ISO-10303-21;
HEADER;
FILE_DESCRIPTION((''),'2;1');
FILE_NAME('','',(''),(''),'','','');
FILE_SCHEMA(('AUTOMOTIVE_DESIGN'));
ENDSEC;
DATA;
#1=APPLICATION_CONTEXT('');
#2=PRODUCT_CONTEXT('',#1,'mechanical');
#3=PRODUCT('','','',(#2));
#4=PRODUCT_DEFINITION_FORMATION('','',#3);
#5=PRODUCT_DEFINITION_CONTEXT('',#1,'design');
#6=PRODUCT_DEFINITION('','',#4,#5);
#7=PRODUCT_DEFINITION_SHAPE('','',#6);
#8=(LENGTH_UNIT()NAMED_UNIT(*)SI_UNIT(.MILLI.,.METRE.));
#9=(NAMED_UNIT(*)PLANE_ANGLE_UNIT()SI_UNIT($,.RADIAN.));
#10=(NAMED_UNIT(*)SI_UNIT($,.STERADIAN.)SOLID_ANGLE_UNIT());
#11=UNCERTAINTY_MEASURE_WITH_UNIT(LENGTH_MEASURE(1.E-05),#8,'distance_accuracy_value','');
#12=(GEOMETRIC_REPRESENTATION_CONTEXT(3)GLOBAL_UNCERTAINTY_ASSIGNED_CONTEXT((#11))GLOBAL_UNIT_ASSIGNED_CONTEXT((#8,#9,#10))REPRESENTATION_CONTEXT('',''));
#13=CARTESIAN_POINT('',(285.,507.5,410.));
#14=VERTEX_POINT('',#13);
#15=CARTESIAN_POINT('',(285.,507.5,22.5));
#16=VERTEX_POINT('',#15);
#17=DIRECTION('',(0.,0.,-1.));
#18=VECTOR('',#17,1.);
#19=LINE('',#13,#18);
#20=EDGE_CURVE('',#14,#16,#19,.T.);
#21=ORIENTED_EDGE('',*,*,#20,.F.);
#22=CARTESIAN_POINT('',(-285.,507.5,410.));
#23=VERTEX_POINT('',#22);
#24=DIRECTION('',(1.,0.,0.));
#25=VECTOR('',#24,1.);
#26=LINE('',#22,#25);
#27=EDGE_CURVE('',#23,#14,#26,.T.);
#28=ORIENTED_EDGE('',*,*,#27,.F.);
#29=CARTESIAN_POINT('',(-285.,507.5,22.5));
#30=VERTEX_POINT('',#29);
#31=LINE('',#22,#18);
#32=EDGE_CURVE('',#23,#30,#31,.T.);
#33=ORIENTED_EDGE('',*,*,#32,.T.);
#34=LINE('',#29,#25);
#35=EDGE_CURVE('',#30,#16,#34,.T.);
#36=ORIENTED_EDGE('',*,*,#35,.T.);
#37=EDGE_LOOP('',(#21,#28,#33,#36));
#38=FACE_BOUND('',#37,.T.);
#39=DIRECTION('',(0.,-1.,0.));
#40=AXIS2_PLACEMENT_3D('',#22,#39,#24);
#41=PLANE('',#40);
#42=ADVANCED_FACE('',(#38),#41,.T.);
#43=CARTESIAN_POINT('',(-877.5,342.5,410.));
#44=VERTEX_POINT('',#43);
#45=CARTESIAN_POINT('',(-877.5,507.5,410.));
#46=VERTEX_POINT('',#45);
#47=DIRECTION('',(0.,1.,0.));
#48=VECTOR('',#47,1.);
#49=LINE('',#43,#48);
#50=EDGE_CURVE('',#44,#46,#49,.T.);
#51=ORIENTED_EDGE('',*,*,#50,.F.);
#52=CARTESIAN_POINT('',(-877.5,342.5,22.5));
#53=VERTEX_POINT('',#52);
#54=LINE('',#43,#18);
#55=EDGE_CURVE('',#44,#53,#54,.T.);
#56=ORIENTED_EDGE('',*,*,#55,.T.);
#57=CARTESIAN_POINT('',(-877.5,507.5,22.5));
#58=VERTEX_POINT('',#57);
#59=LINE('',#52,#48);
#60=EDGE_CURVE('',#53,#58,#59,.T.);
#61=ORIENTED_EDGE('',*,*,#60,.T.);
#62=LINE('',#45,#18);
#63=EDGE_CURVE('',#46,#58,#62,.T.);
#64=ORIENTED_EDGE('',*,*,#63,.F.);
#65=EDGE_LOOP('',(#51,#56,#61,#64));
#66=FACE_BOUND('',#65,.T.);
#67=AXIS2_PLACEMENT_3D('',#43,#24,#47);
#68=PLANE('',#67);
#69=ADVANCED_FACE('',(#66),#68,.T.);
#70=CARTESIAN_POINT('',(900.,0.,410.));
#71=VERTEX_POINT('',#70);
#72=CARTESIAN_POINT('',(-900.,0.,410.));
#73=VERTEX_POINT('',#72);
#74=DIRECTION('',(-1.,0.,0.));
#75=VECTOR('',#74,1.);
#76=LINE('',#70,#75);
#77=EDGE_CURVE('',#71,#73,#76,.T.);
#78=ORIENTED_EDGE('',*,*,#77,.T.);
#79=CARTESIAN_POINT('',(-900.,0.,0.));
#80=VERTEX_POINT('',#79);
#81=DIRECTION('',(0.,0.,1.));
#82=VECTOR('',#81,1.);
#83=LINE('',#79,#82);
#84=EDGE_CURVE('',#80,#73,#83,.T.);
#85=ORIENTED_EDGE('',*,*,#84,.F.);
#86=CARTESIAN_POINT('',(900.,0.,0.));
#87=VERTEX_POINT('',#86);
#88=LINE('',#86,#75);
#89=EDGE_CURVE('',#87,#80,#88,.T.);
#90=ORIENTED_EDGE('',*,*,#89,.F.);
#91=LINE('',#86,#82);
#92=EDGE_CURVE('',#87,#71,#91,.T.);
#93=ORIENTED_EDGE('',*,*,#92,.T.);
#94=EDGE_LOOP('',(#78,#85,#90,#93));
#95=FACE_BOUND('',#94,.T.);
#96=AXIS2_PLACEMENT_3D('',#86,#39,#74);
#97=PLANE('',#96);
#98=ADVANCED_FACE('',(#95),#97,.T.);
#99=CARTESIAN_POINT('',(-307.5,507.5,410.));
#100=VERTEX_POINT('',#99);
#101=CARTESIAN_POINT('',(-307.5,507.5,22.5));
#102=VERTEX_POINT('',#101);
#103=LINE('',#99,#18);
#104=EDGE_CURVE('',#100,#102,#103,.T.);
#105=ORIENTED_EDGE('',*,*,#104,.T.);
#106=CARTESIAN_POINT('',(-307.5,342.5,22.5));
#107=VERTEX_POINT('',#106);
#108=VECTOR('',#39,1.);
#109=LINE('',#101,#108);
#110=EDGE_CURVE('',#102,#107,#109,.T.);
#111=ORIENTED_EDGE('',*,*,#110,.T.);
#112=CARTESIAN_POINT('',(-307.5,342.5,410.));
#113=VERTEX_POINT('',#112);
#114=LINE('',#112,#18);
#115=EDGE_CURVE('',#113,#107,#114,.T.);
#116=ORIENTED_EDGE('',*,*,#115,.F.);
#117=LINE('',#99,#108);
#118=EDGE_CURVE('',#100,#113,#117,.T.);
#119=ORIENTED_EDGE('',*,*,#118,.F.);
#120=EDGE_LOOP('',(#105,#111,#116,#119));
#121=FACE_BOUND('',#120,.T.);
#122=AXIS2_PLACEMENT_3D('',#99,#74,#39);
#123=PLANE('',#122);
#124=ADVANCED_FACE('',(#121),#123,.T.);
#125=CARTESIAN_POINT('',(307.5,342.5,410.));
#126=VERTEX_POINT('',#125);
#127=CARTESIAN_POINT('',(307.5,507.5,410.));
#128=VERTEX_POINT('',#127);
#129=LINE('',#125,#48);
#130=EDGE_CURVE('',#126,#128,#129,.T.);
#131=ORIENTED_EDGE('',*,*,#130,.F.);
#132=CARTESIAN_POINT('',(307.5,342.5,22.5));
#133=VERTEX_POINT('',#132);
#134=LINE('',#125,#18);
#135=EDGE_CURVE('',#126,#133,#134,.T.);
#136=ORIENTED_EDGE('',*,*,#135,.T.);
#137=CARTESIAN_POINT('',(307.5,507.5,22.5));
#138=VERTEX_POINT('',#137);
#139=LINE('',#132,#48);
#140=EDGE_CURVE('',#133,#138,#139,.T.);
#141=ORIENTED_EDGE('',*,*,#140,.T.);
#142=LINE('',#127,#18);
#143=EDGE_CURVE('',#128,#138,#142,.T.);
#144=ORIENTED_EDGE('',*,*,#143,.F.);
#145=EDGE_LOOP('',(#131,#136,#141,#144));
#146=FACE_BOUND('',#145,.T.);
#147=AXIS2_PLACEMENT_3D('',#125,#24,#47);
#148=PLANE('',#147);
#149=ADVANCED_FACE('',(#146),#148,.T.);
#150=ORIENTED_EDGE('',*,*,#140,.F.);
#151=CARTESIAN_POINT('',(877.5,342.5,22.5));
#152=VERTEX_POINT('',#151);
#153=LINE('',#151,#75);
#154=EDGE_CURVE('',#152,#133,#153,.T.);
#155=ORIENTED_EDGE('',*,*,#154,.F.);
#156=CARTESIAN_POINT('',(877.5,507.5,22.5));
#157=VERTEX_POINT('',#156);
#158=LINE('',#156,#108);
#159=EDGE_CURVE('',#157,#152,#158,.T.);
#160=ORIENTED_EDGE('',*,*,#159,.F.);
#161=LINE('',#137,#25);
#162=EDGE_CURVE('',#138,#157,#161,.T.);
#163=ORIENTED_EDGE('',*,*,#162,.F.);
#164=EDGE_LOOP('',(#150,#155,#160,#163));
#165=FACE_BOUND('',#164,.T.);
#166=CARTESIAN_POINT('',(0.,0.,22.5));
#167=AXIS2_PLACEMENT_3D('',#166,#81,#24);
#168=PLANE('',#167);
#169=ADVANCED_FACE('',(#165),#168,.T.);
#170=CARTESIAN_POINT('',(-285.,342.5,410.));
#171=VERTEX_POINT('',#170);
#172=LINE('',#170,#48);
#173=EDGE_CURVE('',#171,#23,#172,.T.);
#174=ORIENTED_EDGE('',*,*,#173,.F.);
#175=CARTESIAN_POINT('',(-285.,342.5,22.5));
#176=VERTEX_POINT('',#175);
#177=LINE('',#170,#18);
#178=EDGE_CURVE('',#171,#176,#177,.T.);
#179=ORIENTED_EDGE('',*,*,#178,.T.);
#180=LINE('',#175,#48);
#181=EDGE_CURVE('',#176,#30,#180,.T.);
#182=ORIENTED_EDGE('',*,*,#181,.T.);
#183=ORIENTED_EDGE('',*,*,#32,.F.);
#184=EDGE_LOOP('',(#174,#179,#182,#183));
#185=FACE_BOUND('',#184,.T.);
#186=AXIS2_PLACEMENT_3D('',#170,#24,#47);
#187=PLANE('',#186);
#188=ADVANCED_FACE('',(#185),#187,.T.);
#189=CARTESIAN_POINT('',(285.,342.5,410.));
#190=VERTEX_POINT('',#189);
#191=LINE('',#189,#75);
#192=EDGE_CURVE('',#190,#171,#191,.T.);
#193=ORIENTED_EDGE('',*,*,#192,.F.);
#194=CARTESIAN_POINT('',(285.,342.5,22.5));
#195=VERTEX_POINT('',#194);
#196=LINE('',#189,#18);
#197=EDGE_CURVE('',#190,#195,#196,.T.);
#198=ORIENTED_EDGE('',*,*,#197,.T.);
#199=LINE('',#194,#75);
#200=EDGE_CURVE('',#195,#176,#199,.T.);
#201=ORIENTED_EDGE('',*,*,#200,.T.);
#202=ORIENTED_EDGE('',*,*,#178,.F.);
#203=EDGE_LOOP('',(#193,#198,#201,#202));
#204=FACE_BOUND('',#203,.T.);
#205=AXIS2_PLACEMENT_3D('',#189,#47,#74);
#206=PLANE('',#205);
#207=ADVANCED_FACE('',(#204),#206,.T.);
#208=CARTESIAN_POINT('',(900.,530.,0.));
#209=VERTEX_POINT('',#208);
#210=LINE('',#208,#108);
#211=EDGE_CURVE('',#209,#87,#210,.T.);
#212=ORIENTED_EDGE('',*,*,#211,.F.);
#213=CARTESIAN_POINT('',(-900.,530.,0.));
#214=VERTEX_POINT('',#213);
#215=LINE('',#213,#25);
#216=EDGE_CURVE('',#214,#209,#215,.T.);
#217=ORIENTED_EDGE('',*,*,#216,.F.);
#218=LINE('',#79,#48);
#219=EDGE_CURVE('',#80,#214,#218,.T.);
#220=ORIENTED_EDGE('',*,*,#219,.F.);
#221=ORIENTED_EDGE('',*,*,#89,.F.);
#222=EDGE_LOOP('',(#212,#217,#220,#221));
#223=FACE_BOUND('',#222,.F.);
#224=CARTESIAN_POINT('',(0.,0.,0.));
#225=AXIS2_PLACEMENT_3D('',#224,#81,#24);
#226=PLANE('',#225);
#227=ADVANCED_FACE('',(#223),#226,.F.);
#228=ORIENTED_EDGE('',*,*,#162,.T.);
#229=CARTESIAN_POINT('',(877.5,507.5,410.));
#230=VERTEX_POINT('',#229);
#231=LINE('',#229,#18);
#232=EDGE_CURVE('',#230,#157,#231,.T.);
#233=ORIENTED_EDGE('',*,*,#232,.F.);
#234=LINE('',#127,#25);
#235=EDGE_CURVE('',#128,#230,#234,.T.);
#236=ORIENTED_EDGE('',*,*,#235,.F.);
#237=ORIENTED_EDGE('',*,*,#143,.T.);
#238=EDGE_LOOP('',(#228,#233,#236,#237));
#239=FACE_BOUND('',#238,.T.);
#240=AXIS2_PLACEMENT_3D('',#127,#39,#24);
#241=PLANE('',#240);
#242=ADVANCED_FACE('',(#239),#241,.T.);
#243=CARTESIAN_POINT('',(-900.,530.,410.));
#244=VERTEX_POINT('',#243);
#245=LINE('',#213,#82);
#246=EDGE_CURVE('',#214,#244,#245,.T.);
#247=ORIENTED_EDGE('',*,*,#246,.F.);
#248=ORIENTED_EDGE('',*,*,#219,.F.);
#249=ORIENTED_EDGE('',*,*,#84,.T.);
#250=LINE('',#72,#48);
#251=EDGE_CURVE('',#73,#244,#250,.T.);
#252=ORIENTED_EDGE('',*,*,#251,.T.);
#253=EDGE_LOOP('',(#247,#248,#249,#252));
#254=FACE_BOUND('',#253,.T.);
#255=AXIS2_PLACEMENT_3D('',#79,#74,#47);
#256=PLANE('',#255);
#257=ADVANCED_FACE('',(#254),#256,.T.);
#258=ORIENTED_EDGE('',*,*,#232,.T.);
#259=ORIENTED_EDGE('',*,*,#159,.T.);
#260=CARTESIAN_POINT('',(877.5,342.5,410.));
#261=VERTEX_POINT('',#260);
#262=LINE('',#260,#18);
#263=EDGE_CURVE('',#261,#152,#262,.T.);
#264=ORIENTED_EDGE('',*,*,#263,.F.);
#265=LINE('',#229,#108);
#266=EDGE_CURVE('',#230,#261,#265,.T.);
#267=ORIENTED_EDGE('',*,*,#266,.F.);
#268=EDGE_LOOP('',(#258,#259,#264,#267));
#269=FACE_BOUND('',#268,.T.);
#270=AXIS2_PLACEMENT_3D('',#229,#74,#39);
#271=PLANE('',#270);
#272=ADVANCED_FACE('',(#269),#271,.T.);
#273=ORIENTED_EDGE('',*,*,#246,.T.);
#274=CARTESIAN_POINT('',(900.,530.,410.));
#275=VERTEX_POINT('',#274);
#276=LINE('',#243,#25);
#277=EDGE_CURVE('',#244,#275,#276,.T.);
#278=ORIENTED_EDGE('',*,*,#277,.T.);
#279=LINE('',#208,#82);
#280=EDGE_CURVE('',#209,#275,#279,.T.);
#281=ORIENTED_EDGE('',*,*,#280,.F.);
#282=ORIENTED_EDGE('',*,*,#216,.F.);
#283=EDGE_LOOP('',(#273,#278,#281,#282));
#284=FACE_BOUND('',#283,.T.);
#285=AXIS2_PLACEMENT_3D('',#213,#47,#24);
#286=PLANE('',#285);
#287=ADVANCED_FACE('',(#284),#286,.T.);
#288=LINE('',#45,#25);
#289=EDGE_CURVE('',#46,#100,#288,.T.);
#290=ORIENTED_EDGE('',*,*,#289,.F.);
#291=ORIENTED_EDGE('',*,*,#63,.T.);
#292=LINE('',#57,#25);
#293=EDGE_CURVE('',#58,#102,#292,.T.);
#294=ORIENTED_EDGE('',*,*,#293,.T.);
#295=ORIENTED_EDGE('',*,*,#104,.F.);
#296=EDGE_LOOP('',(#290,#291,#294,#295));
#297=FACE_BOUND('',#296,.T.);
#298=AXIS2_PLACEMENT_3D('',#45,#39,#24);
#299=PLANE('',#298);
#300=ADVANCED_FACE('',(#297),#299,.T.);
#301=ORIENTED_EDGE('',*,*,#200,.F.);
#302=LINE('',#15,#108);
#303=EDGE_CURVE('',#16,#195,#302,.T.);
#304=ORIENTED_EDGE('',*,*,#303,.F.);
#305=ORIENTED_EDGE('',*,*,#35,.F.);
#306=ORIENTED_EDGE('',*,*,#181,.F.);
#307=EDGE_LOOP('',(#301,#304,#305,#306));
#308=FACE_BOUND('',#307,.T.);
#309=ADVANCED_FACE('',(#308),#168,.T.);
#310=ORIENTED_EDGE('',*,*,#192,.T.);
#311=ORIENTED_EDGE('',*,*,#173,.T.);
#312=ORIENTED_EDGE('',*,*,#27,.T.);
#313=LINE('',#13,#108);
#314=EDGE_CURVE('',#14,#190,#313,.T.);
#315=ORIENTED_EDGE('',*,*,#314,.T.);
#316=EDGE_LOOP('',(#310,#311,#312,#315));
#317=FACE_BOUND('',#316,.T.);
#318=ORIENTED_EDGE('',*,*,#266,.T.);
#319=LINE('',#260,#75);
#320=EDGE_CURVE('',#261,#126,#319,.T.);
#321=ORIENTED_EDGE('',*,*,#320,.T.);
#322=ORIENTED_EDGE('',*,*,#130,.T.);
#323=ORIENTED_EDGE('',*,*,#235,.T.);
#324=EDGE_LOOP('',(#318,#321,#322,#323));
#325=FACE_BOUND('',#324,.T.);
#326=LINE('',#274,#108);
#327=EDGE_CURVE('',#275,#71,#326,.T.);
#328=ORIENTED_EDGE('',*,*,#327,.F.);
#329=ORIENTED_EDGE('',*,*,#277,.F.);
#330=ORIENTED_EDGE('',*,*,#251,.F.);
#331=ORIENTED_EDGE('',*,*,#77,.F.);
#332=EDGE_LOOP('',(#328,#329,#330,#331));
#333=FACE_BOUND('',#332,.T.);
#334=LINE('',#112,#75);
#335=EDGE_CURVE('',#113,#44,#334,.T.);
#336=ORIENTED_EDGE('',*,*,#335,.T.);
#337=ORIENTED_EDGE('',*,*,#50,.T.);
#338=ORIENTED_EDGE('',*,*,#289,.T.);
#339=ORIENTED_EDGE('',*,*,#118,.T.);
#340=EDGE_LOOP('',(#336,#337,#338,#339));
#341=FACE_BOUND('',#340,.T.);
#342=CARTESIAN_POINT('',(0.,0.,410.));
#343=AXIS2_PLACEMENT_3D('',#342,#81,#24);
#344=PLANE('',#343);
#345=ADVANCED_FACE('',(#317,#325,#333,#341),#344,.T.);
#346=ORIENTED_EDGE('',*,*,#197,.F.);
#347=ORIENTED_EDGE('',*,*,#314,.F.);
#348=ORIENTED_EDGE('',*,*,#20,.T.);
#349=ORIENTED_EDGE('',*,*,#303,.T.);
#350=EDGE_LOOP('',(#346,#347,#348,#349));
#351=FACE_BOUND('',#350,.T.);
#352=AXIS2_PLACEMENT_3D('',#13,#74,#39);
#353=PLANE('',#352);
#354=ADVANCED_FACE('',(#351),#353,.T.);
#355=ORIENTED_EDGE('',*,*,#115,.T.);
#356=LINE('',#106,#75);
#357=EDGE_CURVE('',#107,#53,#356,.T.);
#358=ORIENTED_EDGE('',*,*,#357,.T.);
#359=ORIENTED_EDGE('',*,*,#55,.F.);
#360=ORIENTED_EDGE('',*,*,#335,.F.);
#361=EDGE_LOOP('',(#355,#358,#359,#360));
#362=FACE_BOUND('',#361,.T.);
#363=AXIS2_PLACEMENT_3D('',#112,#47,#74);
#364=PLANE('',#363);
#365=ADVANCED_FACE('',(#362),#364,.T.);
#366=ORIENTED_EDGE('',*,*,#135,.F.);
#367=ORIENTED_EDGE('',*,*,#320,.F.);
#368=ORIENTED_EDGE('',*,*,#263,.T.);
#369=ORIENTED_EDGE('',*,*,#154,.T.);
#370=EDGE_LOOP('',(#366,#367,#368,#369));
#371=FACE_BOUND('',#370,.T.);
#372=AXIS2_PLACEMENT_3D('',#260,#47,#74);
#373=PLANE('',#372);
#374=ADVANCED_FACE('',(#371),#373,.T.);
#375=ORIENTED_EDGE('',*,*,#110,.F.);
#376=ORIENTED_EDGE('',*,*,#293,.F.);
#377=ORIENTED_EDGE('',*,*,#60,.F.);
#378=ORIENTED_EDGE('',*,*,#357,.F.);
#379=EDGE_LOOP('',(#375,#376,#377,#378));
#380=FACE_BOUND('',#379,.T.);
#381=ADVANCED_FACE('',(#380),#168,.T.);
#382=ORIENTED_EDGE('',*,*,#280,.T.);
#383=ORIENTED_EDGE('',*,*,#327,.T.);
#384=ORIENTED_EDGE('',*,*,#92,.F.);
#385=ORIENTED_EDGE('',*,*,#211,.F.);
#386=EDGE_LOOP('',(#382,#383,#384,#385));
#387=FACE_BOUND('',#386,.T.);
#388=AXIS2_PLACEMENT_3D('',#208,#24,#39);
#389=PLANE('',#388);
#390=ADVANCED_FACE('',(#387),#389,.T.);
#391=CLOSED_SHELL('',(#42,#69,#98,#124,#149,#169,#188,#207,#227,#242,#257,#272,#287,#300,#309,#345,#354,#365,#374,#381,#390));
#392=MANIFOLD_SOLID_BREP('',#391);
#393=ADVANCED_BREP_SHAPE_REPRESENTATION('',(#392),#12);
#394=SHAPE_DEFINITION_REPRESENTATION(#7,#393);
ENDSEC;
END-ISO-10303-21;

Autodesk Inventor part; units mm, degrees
ref_plane "YZ Plane" through (0, 0, 0) normal (1, 0, 0) x (0, 1, 0)
ref_plane "XZ Plane" through (0, 0, 0) normal (0, 1, 0) x (-1, 0, 0)
ref_plane "XY Plane" through (0, 0, 0) normal (0, 0, 1) x (1, 0, 0)
sketch "Sketch1" plane through (0, 0, 0) normal (0, 0, 1) x (1, 0, 0)
  line L0 (-900, 530) -> (900, 530)
  line L1 (900, 530) -> (900, 0)
  line L2 (900, 0) -> (-900, 0)
  line L3 (-900, 0) -> (-900, 530)
  point P0 (0, 0)
  point P1 (0, 0)
  dimension "d0" = 1800
  dimension "d1" = 530
extrude "Extrusion1" add sketch "Sketch1" along normal blind 410
sketch "Sketch2" plane through (0, 0, 410) normal (0, 0, 1) x (1, 0, 0)
  line L0 (-877.5, 507.5) -> (-307.5, 507.5)
  line L1 (-307.5, 507.5) -> (-307.5, 342.5)
  line L2 (-307.5, 342.5) -> (-877.5, 342.5)
  line L3 (-877.5, 342.5) -> (-877.5, 507.5)
  line L4 (-285, 507.5) -> (285, 507.5)
  line L5 (285, 507.5) -> (285, 342.5)
  line L6 (285, 342.5) -> (-285, 342.5)
  line L7 (-285, 342.5) -> (-285, 507.5)
  line L8 (307.5, 507.5) -> (877.5, 507.5)
  line L9 (877.5, 507.5) -> (877.5, 342.5)
  line L10 (877.5, 342.5) -> (307.5, 342.5)
  line L11 (307.5, 342.5) -> (307.5, 507.5)
  line L12 (-900, 0) -> (900, 0) projected
  line L13 (900, 0) -> (900, 530) projected
  line L14 (900, 530) -> (-900, 530) projected
  line L15 (-900, 530) -> (-900, 0) projected
  line L16 (-900, 530) -> (-877.5, 507.5) construction
  line L17 (877.5, 507.5) -> (900, 530) construction
  point P0 (0, 0)
  point P1 (0, 342.5)
  point P2 (0, 0)
  dimension "d5" = 570
  dimension "d6" = 165
  dimension "d7" = 22.5
  dimension "d8" = 22.5
extrude "Extrusion2" cut sketch "Sketch2" against normal blind 387.5 contours L0 L1 L2 L3 | L4 L5 L6 L7 | L8 L9 L10 L11
properties part number "BRIMNES"
